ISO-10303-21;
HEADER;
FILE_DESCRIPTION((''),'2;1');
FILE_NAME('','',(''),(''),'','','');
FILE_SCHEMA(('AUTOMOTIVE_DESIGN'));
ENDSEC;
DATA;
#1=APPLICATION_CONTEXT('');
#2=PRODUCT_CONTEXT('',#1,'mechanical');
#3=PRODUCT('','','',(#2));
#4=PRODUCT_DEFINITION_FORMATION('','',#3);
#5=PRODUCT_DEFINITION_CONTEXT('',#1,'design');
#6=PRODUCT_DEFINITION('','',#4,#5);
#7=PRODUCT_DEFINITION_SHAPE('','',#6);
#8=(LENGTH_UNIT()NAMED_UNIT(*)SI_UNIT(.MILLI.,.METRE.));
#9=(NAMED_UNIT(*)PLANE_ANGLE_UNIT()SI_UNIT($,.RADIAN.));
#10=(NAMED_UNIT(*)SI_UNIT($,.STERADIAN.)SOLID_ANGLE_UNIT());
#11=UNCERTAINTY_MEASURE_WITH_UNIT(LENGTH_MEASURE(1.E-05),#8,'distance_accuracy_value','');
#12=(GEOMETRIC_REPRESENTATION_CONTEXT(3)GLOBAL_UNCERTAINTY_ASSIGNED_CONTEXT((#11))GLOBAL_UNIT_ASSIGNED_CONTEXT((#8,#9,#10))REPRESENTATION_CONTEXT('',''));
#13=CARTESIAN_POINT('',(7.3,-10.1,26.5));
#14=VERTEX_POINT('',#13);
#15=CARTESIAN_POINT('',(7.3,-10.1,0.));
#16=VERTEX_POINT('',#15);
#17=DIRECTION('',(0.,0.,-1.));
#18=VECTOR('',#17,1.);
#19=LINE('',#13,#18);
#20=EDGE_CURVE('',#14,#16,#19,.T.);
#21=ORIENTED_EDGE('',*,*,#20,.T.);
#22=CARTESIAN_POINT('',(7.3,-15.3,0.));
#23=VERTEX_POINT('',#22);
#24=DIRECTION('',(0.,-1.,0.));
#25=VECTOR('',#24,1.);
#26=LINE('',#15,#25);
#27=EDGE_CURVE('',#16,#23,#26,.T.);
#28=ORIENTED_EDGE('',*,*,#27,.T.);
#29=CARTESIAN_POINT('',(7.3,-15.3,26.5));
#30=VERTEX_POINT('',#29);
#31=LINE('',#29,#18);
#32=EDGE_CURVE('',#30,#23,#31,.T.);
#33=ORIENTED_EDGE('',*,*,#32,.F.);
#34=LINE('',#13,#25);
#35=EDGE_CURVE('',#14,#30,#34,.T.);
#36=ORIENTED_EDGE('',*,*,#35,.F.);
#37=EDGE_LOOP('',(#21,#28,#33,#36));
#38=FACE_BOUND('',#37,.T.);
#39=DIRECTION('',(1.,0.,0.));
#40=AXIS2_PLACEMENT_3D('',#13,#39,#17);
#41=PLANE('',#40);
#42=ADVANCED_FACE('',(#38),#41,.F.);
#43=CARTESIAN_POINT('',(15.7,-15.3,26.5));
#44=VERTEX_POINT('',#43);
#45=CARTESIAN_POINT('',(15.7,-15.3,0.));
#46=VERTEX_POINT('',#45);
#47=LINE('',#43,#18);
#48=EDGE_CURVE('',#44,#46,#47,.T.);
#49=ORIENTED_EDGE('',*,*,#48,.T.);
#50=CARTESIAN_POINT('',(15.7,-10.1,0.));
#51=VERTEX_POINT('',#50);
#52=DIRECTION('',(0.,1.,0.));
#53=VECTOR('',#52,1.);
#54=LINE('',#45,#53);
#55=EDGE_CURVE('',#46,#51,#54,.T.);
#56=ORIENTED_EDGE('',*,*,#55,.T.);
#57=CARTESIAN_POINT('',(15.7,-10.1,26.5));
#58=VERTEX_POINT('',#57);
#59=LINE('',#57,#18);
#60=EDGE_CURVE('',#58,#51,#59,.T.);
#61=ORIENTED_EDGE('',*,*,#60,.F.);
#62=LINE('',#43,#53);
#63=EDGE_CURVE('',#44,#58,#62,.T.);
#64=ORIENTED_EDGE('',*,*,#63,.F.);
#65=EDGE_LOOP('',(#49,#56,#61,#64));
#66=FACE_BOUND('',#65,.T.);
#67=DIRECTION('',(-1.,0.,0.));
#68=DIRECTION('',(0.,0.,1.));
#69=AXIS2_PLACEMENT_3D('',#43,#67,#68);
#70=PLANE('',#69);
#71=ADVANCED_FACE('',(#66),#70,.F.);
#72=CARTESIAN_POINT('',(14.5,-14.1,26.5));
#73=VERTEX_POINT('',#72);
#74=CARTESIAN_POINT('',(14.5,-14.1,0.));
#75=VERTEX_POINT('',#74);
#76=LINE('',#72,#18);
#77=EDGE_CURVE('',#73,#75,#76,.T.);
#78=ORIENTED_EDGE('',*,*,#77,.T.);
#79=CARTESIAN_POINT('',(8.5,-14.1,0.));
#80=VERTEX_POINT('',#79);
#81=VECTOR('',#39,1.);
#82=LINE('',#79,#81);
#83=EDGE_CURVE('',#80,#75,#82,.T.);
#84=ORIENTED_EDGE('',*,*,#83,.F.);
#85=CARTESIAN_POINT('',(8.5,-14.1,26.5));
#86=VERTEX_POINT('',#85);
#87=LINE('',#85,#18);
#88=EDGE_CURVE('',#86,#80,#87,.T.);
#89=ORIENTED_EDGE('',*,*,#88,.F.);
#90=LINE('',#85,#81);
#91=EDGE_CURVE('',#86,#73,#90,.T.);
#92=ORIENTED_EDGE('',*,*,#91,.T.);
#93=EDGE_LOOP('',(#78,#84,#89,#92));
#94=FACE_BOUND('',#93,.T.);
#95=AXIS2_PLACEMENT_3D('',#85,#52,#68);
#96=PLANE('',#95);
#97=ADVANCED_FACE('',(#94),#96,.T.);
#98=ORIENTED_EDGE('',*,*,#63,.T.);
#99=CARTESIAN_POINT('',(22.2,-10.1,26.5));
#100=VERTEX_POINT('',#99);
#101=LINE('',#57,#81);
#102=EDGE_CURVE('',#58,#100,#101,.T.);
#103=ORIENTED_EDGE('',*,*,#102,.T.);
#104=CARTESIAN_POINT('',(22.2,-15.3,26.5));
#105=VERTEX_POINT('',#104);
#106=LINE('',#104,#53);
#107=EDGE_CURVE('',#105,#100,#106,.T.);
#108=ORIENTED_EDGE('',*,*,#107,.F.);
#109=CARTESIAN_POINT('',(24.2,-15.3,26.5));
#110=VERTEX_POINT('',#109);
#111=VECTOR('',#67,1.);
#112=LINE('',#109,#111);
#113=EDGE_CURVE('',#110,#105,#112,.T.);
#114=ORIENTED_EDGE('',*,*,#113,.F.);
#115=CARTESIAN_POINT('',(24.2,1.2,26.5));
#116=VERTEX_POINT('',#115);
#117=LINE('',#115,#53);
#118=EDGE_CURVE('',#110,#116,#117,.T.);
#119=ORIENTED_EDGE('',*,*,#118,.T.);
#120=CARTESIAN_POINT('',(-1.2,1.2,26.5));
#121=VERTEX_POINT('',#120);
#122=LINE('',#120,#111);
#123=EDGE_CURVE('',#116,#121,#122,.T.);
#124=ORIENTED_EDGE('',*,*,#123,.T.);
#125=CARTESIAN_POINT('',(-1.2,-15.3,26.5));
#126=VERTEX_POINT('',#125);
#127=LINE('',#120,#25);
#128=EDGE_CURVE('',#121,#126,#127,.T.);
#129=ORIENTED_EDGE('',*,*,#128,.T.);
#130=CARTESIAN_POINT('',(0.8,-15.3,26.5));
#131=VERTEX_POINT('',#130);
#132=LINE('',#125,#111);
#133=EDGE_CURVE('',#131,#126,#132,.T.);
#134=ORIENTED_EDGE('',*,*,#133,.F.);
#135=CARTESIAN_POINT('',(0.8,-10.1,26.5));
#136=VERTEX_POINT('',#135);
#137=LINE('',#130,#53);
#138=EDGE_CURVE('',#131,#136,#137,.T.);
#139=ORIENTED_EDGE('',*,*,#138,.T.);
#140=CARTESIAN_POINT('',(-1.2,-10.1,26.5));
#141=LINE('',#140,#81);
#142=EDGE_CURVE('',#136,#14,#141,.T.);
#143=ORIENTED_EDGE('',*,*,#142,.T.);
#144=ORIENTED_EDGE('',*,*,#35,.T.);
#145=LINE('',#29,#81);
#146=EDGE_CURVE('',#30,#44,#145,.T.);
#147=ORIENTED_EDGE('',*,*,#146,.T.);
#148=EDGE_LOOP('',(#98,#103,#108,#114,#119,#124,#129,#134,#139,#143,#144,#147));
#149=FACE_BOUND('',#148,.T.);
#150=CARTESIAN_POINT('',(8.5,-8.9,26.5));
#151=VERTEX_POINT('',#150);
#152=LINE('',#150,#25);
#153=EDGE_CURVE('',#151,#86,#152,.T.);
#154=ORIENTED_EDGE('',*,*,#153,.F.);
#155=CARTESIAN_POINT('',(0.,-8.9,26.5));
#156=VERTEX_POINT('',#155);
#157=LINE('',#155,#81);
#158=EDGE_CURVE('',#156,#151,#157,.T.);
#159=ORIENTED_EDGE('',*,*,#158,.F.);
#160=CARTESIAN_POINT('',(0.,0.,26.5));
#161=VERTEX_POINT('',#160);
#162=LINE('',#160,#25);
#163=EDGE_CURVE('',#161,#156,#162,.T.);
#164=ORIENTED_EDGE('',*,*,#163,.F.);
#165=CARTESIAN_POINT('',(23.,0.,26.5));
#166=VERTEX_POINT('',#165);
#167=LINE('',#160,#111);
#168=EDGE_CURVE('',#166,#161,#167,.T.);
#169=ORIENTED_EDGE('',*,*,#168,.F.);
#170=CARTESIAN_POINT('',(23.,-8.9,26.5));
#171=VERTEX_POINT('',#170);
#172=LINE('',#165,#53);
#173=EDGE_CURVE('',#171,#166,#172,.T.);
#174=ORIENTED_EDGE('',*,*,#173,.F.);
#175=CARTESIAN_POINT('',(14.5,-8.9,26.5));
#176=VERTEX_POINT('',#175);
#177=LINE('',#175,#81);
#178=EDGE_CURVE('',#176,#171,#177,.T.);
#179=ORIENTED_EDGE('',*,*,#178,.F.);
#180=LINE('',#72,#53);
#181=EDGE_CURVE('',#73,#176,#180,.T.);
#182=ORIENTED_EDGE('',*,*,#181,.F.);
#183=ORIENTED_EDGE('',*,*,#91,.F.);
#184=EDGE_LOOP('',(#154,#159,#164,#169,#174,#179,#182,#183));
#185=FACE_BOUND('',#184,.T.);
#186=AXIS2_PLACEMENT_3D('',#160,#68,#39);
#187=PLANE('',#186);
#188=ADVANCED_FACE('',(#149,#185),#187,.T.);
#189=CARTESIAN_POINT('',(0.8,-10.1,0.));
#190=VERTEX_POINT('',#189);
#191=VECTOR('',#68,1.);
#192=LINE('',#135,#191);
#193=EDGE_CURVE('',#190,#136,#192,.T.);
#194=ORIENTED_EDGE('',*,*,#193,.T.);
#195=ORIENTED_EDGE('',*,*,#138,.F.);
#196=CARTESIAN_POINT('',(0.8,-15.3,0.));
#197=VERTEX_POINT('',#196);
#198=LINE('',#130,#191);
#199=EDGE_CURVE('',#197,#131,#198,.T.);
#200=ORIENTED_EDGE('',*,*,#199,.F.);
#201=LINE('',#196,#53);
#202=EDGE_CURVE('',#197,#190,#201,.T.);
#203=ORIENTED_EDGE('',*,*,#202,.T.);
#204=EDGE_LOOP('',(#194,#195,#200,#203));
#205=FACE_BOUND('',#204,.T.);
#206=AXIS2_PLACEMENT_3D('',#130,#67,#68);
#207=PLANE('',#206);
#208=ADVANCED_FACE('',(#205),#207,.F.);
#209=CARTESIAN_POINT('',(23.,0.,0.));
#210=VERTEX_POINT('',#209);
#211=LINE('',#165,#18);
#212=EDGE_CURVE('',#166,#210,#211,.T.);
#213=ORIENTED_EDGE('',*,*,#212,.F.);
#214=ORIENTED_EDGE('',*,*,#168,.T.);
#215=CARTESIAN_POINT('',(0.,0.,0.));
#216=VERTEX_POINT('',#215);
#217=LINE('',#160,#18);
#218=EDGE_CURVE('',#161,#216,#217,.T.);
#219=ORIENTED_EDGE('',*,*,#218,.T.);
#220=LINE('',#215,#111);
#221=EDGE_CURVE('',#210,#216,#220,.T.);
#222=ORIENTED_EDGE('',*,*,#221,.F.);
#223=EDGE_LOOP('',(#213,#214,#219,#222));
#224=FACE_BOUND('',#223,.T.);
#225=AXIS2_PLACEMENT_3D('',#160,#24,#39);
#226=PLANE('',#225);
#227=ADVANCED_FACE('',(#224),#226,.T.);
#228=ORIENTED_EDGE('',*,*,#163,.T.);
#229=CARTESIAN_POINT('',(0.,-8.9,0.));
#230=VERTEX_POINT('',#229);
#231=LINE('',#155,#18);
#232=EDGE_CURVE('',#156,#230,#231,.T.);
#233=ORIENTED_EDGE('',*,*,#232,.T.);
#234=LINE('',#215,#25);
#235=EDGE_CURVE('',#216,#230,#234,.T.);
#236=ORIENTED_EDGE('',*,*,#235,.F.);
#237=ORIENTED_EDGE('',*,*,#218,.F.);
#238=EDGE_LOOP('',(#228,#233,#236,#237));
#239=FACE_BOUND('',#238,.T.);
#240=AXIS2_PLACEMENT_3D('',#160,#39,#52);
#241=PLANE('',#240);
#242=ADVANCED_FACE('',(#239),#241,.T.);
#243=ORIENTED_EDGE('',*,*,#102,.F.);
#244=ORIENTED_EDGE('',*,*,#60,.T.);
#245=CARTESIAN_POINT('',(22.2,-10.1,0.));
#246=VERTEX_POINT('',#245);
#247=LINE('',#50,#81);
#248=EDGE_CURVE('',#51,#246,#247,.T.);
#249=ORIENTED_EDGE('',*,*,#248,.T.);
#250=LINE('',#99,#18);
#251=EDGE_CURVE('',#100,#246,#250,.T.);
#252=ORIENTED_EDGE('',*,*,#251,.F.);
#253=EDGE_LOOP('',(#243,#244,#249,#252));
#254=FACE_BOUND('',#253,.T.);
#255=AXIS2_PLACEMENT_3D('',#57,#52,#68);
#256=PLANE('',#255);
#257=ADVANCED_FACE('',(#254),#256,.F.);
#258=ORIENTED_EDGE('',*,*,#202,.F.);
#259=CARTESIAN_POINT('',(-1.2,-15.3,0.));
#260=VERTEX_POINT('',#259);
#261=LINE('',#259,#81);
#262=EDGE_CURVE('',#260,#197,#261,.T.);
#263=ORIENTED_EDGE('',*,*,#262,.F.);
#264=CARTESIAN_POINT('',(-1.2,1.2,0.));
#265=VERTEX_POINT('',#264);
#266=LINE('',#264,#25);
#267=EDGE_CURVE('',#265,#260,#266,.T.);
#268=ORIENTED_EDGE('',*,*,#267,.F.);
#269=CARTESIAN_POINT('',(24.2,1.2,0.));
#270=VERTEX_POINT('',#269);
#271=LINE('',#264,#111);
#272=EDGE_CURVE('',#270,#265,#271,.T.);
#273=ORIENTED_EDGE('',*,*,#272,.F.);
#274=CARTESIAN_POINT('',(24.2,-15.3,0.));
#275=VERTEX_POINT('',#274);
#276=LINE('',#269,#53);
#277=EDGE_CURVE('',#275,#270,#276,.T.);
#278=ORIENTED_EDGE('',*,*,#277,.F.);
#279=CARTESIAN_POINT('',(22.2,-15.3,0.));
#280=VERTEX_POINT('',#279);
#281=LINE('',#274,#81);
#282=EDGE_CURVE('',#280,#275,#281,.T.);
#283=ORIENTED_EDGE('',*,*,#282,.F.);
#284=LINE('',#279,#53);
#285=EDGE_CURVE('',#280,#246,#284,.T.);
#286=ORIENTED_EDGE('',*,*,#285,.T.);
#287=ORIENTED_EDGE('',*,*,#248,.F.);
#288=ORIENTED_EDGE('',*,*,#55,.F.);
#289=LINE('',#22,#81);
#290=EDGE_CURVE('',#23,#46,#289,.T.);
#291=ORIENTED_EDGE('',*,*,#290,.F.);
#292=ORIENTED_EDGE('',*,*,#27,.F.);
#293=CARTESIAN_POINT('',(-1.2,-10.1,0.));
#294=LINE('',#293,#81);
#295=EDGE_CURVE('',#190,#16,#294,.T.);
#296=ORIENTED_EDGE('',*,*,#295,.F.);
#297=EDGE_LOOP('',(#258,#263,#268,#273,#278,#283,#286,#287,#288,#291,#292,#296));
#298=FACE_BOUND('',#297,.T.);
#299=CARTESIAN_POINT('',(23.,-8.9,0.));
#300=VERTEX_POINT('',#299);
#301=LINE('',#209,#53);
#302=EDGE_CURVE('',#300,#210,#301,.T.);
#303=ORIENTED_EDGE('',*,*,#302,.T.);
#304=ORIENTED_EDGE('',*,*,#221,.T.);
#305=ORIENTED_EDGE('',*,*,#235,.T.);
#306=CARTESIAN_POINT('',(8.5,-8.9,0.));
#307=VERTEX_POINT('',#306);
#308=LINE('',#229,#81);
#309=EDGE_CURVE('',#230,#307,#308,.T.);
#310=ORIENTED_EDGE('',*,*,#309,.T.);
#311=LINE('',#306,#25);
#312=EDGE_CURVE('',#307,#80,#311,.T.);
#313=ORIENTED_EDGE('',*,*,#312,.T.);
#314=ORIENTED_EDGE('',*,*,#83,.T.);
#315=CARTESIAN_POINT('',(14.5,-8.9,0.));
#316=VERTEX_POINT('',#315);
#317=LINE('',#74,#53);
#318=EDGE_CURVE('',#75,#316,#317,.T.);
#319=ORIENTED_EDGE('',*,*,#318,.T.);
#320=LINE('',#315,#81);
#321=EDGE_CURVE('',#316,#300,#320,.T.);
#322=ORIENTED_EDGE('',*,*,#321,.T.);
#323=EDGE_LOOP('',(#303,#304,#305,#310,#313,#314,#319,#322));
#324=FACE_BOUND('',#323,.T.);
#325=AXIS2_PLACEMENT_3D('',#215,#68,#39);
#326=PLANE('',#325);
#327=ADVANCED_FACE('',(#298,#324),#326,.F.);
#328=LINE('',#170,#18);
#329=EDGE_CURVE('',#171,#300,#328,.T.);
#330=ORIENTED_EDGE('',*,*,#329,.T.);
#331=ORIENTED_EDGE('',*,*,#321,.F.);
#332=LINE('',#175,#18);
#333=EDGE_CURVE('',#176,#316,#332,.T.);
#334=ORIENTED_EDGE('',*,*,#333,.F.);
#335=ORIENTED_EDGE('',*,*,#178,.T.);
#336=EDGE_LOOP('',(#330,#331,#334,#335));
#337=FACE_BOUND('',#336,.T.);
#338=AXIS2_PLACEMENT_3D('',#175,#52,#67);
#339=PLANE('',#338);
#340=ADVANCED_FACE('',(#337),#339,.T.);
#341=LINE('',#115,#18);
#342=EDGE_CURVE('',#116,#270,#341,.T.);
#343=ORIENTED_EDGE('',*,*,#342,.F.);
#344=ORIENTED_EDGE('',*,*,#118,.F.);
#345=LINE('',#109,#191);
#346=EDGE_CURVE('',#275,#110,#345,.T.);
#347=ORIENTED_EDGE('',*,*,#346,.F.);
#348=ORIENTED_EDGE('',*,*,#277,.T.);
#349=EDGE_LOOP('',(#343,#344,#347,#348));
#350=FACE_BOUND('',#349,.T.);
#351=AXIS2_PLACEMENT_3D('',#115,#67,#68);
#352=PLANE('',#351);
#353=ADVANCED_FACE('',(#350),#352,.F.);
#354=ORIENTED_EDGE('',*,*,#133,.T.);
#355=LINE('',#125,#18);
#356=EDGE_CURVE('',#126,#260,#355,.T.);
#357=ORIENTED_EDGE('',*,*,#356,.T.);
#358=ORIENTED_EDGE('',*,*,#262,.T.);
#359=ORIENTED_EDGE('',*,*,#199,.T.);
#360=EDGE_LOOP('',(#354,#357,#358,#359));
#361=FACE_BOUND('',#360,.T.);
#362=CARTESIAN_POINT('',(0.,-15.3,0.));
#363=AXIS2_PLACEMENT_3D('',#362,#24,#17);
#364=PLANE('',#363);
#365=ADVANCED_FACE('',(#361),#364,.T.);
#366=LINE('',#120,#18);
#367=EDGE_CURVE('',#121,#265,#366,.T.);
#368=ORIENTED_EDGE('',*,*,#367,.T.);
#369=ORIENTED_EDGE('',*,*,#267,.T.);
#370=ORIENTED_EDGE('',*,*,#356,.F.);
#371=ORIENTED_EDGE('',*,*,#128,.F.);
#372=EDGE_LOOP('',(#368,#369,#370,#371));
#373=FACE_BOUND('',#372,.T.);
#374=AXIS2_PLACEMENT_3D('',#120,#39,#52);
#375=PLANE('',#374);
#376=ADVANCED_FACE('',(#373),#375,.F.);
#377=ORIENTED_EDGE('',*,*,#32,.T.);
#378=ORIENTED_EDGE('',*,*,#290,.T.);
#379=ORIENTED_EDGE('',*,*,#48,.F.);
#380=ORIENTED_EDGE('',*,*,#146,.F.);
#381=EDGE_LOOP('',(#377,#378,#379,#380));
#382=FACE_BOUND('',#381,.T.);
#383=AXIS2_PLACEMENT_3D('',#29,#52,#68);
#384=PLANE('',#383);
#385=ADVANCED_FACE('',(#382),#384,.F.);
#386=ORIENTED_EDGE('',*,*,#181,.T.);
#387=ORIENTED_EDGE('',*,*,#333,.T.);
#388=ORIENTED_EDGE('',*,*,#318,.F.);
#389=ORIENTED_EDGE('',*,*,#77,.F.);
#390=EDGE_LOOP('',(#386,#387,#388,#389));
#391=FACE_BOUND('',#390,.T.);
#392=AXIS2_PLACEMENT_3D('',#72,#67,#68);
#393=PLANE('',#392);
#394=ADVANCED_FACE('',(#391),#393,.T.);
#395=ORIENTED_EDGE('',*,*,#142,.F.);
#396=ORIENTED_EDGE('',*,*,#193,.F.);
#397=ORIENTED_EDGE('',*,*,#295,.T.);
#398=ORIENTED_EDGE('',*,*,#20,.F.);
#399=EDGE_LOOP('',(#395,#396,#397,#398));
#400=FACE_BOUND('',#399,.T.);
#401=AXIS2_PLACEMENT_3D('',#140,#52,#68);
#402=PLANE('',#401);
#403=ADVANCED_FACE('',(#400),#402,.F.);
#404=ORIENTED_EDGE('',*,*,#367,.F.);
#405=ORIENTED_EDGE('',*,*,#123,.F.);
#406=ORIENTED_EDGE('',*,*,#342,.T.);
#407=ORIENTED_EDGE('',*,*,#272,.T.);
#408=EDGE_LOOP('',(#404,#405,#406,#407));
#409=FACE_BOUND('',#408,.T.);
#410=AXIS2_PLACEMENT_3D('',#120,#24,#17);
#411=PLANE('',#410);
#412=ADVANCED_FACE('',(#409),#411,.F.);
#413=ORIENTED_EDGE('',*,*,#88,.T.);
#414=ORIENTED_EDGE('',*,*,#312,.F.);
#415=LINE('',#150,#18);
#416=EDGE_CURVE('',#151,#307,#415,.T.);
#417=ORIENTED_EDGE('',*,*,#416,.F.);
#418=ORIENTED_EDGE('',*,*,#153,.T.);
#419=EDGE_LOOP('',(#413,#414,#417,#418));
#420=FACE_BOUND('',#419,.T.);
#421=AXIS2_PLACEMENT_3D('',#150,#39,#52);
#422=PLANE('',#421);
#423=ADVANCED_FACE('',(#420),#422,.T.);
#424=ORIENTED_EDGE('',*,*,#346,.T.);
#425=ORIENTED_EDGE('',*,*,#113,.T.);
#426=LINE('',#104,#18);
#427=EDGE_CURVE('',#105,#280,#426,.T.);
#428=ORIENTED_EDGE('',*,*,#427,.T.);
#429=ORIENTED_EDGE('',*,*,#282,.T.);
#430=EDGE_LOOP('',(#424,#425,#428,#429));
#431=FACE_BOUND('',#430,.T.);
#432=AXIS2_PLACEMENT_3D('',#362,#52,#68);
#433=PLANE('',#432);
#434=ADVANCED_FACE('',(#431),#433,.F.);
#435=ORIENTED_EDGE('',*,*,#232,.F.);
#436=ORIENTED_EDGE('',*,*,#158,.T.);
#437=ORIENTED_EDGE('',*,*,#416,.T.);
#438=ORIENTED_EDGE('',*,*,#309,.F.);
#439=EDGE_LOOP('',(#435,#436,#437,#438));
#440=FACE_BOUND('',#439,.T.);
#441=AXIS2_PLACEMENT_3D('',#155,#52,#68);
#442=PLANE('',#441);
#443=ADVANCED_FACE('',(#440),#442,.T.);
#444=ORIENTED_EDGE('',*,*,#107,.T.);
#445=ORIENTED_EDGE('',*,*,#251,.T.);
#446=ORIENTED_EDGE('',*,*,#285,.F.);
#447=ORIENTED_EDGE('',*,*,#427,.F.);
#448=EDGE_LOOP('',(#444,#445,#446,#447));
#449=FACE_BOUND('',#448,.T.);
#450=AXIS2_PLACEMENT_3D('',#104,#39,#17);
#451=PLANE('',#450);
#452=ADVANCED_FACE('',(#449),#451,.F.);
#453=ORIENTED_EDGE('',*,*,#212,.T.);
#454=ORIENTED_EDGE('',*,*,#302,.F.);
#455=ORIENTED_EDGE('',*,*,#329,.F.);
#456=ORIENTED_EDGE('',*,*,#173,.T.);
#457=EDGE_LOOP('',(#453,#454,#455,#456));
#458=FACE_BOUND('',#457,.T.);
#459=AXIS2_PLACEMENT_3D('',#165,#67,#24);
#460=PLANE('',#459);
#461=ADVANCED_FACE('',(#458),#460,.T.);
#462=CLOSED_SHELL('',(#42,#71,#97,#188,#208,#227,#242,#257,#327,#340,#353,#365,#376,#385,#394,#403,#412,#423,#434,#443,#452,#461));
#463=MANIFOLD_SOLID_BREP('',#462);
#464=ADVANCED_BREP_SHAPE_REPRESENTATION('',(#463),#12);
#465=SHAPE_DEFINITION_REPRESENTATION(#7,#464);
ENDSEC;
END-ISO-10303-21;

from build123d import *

# Parameters (mm, degrees)
EXTRUDE_1_DEPTH = 26.5
SKETCH_2_W      = 2
SKETCH_2_H      = 26.5
EXTRUDE_2_DEPTH = 5.2


with BuildPart() as part:
    # 草图1 → 凸台-拉伸1 (new body)
    with BuildSketch(Plane.XY):
        Polygon((-1.2, 1.2), (24.2, 1.2), (24.2, -10.1), (15.7, -10.1), (15.7, -15.3), (7.3, -15.3), (7.3, -10.1), (-1.2, -10.1), align=None)
        Polygon((0, 0), (23, 0), (23, -8.9), (14.5, -8.9), (14.5, -14.1), (8.5, -14.1), (8.5, -8.9), (0, -8.9), align=None, mode=Mode.SUBTRACT)
    extrude(amount=EXTRUDE_1_DEPTH)

    # 草图2 → 凸台-拉伸2 (add)
    with BuildSketch(Plane.XZ.offset(10.1)):
        with Locations((-0.2, 13.25)):
            Rectangle(SKETCH_2_W, SKETCH_2_H)
        with Locations((23.2, 13.25)):
            Rectangle(SKETCH_2_W, SKETCH_2_H)
    extrude(amount=EXTRUDE_2_DEPTH)


solid = part.part
